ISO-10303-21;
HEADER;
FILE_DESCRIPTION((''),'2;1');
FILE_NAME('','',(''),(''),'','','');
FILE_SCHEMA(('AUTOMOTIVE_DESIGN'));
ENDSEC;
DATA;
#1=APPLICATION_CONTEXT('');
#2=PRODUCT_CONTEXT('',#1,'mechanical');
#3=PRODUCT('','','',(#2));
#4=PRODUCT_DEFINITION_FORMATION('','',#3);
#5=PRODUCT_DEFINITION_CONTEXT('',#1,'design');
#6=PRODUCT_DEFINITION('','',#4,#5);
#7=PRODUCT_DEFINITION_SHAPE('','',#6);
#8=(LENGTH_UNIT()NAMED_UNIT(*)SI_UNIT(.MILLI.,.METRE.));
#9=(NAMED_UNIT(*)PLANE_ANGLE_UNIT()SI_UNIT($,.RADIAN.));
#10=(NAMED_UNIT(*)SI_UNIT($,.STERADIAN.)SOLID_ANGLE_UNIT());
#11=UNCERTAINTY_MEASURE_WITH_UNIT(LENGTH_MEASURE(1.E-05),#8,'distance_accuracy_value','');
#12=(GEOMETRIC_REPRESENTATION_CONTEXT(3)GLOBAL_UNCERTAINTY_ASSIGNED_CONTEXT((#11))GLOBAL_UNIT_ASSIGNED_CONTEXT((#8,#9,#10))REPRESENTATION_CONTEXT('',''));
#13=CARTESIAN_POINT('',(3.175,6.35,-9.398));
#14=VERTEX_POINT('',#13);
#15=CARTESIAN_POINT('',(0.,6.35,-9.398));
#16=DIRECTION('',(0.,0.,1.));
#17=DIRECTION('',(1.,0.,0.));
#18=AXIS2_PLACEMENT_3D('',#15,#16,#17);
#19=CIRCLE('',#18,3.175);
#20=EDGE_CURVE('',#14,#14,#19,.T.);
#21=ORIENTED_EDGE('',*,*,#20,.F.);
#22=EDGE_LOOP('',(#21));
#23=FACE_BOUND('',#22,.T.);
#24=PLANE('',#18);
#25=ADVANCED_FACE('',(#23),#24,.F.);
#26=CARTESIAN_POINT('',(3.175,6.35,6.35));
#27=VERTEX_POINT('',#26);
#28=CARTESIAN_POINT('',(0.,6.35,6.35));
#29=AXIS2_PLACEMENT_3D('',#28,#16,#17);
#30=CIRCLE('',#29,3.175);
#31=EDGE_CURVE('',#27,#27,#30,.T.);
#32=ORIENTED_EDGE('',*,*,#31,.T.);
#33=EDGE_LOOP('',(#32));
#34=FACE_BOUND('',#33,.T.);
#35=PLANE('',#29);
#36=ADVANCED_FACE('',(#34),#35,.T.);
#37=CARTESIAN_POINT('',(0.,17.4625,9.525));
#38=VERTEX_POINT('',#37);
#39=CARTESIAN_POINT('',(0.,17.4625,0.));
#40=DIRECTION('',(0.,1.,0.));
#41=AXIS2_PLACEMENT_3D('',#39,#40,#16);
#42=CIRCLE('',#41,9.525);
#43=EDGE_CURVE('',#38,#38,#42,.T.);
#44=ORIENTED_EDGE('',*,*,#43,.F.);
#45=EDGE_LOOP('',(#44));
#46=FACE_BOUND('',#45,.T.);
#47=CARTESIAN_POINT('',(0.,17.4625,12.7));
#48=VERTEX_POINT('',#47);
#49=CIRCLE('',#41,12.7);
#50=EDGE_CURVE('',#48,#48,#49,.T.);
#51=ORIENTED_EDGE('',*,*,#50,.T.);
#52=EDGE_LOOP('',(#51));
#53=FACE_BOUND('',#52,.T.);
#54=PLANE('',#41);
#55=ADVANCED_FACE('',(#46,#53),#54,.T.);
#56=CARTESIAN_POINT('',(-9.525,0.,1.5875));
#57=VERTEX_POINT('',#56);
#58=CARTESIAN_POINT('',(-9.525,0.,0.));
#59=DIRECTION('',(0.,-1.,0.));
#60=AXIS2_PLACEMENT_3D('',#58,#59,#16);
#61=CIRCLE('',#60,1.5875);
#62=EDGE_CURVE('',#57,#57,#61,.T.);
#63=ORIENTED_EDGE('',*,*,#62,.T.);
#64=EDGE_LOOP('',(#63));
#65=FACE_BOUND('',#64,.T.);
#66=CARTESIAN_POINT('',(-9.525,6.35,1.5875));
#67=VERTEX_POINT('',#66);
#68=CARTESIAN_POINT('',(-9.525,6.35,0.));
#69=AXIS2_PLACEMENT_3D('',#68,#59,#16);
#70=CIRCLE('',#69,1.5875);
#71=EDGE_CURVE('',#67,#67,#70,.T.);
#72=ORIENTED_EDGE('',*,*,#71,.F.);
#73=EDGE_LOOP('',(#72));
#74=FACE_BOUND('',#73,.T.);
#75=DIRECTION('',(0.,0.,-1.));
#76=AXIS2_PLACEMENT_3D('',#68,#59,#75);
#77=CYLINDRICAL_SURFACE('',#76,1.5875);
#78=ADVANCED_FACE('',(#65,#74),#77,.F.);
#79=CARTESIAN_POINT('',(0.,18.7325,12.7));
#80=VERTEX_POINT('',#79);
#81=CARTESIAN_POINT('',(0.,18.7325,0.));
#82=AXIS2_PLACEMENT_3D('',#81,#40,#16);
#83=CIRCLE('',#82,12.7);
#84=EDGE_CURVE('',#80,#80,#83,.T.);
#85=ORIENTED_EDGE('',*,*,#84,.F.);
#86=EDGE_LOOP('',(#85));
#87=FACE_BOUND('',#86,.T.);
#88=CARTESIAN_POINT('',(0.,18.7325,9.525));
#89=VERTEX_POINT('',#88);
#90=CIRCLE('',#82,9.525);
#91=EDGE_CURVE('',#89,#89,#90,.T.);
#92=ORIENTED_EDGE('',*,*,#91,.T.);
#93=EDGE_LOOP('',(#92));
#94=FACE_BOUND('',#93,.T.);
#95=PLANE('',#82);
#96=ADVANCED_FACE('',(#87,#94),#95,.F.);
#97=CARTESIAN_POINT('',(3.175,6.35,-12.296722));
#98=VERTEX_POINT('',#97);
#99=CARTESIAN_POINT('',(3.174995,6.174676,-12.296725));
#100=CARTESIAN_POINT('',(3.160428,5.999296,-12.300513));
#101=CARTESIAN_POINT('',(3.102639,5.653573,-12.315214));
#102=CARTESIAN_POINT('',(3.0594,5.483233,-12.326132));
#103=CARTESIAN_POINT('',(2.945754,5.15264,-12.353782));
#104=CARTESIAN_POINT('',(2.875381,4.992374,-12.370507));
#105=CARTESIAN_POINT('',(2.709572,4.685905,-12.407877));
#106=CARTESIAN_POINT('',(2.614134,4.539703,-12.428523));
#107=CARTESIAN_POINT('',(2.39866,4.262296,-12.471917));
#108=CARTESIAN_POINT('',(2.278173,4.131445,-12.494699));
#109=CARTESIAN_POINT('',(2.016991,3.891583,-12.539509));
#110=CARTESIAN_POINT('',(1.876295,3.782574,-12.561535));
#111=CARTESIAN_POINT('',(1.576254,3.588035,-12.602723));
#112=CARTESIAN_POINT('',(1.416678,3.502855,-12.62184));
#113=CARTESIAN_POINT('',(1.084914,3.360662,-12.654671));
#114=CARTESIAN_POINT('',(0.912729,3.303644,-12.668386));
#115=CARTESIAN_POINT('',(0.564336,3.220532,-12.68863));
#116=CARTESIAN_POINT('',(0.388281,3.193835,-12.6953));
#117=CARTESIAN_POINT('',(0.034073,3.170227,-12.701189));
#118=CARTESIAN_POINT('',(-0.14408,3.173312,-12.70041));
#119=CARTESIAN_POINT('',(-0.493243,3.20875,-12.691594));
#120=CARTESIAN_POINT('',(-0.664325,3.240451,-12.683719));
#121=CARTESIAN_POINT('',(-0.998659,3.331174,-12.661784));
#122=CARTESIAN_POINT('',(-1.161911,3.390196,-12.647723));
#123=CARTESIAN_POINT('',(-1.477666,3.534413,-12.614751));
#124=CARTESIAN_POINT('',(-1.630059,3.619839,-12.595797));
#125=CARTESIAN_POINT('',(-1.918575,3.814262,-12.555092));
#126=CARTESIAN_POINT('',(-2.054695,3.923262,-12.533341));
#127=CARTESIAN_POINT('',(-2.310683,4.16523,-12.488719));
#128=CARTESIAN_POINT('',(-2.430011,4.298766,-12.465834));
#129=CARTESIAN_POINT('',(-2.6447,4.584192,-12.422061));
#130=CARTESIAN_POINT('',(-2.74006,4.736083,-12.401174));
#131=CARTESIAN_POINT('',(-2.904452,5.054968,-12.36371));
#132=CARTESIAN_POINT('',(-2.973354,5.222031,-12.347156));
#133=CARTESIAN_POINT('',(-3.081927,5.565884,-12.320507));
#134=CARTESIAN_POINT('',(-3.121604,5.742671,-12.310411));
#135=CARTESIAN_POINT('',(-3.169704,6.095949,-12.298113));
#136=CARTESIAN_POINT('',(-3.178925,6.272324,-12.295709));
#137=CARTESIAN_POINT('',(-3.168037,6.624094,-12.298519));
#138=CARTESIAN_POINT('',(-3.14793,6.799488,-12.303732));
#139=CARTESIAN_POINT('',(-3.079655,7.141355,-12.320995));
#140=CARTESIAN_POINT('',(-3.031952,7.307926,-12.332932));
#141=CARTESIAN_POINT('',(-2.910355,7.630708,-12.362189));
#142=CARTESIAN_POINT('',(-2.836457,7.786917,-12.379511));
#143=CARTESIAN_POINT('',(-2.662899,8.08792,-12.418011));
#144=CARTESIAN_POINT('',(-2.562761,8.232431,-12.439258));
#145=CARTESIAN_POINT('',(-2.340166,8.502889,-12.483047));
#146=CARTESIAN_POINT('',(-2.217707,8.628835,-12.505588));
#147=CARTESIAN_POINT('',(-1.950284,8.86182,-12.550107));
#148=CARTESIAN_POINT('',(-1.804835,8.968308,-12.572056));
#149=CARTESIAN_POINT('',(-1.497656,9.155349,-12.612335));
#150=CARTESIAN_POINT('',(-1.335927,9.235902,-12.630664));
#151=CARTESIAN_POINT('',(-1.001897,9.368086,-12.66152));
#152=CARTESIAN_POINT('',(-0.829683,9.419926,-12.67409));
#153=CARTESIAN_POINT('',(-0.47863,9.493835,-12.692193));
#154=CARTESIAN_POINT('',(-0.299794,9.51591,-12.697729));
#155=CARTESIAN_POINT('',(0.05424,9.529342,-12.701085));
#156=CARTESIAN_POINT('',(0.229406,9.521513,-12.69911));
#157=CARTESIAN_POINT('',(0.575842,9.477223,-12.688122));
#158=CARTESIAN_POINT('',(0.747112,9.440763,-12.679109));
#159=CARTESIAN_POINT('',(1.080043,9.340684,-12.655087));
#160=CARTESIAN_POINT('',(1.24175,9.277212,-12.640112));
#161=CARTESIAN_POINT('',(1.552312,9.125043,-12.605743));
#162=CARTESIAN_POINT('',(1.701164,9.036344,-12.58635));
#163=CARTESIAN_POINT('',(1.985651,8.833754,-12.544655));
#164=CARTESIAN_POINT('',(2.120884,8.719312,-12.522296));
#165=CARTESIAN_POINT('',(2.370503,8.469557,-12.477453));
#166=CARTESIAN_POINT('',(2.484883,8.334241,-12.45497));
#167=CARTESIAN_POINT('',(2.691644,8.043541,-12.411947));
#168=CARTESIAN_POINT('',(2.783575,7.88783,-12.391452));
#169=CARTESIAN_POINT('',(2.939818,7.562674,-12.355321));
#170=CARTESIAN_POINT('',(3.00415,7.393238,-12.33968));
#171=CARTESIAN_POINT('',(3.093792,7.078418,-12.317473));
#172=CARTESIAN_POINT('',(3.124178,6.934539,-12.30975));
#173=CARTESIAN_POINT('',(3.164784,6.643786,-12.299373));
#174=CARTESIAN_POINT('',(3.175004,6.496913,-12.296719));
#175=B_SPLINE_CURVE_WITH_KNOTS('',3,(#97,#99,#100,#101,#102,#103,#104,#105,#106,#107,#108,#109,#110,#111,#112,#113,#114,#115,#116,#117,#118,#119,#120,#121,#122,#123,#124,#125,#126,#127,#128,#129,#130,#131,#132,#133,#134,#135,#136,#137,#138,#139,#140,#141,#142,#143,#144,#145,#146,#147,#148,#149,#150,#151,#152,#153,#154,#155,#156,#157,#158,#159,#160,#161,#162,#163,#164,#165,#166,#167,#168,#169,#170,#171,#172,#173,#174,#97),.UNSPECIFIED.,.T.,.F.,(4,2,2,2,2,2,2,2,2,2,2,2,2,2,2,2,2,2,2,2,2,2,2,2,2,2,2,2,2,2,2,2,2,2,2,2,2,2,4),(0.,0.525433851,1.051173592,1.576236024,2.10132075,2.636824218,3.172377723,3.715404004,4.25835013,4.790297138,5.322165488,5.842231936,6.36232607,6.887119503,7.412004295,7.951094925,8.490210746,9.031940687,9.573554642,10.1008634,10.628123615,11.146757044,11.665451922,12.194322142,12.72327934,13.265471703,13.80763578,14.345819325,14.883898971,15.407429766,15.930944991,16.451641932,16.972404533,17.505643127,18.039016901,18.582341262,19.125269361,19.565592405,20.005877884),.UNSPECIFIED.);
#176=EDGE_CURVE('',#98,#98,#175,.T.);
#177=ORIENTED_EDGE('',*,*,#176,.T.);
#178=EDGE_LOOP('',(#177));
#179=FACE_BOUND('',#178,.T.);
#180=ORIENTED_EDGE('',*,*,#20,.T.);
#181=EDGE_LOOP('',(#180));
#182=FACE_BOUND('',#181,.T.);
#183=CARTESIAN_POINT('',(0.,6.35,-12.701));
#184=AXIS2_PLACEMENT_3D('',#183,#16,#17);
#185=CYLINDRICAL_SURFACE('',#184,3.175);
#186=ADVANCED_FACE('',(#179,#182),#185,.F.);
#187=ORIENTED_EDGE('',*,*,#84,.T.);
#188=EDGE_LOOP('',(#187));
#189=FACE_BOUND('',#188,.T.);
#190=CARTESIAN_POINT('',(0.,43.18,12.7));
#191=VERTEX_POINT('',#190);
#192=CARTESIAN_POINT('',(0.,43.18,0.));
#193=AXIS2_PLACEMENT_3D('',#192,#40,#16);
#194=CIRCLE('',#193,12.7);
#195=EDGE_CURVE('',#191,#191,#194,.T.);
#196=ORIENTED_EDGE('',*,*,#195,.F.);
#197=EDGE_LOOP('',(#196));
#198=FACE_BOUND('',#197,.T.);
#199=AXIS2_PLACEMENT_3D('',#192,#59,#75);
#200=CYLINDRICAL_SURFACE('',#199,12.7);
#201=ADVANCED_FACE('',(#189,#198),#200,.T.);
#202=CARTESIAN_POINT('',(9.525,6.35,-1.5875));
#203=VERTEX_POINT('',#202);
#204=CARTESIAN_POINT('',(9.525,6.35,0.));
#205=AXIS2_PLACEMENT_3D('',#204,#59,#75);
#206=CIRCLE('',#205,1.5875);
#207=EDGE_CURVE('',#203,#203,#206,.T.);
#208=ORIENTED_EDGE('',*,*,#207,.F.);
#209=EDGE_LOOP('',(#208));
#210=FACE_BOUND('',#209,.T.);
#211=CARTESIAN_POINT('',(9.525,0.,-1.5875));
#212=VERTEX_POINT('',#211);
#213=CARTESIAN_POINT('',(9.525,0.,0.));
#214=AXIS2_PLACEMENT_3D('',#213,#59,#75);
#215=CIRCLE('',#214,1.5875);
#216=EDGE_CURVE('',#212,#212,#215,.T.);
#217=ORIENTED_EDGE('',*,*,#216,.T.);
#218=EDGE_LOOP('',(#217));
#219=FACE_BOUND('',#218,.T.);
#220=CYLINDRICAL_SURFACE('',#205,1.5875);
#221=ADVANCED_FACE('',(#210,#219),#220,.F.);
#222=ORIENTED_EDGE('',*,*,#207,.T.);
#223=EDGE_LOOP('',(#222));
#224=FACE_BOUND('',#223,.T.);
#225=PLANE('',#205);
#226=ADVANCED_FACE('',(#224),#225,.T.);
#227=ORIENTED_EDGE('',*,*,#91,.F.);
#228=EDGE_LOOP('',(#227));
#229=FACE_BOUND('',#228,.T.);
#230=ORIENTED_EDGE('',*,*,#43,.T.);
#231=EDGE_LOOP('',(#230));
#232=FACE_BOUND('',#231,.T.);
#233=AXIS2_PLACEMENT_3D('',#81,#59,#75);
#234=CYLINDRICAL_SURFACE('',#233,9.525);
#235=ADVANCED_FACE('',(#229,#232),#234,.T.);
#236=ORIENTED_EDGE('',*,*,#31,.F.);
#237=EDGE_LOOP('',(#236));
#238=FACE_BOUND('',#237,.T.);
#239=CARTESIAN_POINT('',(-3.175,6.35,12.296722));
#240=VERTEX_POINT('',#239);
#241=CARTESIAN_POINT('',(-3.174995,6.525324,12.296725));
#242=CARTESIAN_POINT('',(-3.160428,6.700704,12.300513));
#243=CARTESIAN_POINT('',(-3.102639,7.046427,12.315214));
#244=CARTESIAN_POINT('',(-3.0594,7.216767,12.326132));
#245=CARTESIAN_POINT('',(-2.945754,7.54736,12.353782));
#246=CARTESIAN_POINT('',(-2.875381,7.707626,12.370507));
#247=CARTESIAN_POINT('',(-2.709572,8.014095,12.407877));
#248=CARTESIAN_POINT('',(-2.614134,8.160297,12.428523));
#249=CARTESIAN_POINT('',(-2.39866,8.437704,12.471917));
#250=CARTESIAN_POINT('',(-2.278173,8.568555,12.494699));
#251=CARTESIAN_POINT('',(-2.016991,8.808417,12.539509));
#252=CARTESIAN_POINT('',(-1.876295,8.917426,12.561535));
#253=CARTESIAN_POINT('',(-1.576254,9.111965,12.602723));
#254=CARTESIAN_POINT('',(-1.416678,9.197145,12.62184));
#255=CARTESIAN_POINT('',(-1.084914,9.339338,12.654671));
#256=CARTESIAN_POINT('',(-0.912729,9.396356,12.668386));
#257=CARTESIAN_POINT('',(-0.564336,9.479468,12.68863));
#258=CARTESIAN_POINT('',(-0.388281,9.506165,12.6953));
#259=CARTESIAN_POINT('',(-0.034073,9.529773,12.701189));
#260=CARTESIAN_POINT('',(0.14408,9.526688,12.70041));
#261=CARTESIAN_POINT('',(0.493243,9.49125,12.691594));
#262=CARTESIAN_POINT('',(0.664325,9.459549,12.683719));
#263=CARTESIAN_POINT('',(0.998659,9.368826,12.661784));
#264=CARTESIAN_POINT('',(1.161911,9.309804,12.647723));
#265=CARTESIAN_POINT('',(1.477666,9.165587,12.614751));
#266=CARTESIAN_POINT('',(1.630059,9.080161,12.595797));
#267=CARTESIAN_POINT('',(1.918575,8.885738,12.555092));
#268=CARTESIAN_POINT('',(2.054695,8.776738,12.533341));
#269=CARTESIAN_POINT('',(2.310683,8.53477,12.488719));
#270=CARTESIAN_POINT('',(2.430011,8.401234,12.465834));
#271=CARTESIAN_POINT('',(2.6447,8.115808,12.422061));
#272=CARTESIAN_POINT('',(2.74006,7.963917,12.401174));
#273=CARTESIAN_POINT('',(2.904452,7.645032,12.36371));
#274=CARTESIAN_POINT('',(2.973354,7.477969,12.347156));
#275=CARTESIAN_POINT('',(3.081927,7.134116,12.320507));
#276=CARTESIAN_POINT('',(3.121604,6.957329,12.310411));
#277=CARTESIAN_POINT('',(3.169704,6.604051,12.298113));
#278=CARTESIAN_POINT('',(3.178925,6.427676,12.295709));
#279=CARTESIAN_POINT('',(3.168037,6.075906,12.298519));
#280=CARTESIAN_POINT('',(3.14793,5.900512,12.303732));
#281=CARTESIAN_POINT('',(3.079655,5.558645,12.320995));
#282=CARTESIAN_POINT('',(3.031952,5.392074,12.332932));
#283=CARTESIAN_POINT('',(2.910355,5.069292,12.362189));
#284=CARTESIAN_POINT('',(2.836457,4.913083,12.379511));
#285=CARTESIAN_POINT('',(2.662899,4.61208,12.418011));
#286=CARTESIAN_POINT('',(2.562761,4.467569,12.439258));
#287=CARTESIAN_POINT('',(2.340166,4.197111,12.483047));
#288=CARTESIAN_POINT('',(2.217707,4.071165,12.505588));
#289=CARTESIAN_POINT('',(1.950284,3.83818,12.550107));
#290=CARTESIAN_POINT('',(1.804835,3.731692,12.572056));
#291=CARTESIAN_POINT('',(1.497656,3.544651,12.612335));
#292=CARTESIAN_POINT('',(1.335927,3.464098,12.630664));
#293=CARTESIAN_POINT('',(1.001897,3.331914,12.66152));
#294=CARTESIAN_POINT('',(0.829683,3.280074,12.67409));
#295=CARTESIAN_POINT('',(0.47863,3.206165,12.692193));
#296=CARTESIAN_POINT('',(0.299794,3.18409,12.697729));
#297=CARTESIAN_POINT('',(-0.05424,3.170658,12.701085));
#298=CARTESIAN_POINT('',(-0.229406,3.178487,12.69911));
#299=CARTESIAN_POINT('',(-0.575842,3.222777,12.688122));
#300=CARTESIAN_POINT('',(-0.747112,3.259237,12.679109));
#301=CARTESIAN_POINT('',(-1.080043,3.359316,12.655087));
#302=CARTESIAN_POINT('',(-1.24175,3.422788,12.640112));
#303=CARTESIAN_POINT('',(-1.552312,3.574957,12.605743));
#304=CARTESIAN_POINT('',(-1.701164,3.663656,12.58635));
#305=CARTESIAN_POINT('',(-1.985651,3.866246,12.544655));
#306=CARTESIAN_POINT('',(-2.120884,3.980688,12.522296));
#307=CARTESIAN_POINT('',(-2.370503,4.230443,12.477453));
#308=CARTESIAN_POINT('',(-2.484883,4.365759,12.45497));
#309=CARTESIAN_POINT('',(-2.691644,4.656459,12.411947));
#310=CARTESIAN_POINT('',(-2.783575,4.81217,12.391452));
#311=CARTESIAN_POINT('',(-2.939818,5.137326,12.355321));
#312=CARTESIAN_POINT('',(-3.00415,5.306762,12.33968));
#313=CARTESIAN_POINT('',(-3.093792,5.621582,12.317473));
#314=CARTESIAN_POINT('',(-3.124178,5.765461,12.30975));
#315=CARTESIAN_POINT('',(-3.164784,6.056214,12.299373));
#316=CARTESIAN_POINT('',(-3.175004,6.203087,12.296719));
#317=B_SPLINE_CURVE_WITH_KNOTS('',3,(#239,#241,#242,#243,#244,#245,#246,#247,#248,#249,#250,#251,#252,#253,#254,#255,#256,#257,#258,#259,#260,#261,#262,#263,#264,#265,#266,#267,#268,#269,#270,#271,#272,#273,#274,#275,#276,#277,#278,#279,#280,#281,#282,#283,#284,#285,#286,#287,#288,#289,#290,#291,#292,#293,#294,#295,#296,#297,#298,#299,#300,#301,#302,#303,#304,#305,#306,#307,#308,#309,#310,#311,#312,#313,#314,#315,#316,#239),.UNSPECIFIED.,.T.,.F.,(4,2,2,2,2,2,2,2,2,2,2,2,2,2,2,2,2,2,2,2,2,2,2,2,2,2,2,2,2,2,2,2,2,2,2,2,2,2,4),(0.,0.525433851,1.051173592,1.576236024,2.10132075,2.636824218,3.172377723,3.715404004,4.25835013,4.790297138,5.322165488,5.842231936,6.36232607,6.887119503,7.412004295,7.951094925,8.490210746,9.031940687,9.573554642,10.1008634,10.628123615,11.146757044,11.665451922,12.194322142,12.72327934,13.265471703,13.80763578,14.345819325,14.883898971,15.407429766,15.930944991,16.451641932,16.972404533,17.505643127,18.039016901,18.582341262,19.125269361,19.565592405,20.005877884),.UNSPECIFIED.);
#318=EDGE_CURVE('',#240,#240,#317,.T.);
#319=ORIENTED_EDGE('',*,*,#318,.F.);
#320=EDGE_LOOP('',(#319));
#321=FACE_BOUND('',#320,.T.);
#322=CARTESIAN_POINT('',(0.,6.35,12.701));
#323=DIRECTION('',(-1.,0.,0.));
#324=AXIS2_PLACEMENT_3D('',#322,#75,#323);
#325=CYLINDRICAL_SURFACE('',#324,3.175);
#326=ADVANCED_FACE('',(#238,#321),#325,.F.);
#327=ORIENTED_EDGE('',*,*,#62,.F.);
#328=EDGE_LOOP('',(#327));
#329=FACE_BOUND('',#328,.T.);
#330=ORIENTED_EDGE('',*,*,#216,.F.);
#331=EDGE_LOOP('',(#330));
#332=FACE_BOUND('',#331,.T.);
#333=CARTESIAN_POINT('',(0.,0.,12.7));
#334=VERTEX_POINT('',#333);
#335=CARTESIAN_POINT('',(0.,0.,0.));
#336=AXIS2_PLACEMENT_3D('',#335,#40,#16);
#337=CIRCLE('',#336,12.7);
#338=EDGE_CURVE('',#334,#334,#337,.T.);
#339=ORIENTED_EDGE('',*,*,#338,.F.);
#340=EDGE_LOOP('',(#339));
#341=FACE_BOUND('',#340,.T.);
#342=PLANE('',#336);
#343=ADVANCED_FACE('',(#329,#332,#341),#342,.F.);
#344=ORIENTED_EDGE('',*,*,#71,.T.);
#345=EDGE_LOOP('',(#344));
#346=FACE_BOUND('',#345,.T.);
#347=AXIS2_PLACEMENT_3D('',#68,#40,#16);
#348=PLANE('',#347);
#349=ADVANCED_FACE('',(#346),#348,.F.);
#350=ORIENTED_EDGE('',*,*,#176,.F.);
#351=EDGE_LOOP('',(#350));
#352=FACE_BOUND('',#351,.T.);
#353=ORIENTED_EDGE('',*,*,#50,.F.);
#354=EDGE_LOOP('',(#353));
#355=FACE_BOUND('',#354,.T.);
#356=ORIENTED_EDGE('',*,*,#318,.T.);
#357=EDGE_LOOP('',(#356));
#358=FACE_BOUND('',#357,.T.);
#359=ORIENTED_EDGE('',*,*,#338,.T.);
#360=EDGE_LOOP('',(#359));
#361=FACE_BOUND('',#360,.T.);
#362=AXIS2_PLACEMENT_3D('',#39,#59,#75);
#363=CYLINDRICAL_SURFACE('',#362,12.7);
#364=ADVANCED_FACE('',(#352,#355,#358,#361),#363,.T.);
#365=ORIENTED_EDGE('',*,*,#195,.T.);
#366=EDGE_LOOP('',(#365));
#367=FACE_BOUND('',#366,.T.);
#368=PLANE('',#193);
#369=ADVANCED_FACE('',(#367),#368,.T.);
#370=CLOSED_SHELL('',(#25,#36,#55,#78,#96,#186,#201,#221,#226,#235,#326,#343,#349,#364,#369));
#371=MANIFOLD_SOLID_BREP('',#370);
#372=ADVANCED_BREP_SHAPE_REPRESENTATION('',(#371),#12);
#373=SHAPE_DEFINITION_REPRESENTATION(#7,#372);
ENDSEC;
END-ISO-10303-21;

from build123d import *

# Parameters (mm, degrees)
SKETCH1_R           = 12.7
BOSS_EXTRUDE1_DEPTH = 17.4625
SKETCH2_R           = 9.525
BOSS_EXTRUDE2_DEPTH = 1.27
SKETCH3_R           = 12.7
BOSS_EXTRUDE3_DEPTH = 24.4475
CUT_EXTRUDE1_REACH  = 21.05
CUT_EXTRUDE1_START  = 6.35
SKETCH4_R           = 3.175
CUT_EXTRUDE2_REACH  = 24.098
CUT_EXTRUDE2_START  = -9.398
SKETCH5_R           = 3.175
SKETCH6_R           = 1.5875
CUT_EXTRUDE3_DEPTH  = 6.35


with BuildPart() as part:
    # Sketch1 → Boss-Extrude1 (new body)
    with BuildSketch(Plane(origin=(0, 0, 0), x_dir=(1, 0, 0), z_dir=(0, 1, 0))):
        Circle(SKETCH1_R)
    extrude(amount=BOSS_EXTRUDE1_DEPTH)

    # Sketch2 → Boss-Extrude2 (add)
    with BuildSketch(Plane(origin=(0, 17.4625, 0), x_dir=(1, 0, 0), z_dir=(0, 1, 0))):
        Circle(SKETCH2_R)
    extrude(amount=BOSS_EXTRUDE2_DEPTH)

    # Sketch3 → Boss-Extrude3 (add)
    with BuildSketch(Plane(origin=(0, 18.7325, 0), x_dir=(1, 0, 0), z_dir=(0, 1, 0))):
        Circle(SKETCH3_R)
    extrude(amount=BOSS_EXTRUDE3_DEPTH)

    # Sketch4 → Cut-Extrude1 (cut, up to next)
    with BuildSketch(Plane.XY.offset(CUT_EXTRUDE1_START), mode=Mode.PRIVATE) as cut_extrude1_sk1:
        with Locations((0, 6.35)):
            Circle(SKETCH4_R)
    cut_extrude1_tool1 = extrude(cut_extrude1_sk1.sketch, amount=CUT_EXTRUDE1_REACH, mode=Mode.PRIVATE) & part.part
    add(cut_extrude1_tool1.solids().sort_by_distance((0, 6.35, 6.35))[0], mode=Mode.SUBTRACT)

    # Sketch5 → Cut-Extrude2 (cut, up to next)
    with BuildSketch(Plane.XY.offset(CUT_EXTRUDE2_START), mode=Mode.PRIVATE) as cut_extrude2_sk1:
        with Locations((0, 6.35)):
            Circle(SKETCH5_R)
    cut_extrude2_tool1 = extrude(cut_extrude2_sk1.sketch, amount=-CUT_EXTRUDE2_REACH, mode=Mode.PRIVATE) & part.part
    add(cut_extrude2_tool1.solids().sort_by_distance((0, 6.35, -9.398))[0], mode=Mode.SUBTRACT)

    # Sketch6 → Cut-Extrude3 (cut)
    with BuildSketch(Plane(origin=(0, 0, 0), x_dir=(-1, 0, 0), z_dir=(0, -1, 0))):
        with Locations((-9.525, 0)):
            Circle(SKETCH6_R)
        with Locations((9.525, 0)):
            Circle(SKETCH6_R)
    extrude(amount=-CUT_EXTRUDE3_DEPTH, mode=Mode.SUBTRACT)


solid = part.part
